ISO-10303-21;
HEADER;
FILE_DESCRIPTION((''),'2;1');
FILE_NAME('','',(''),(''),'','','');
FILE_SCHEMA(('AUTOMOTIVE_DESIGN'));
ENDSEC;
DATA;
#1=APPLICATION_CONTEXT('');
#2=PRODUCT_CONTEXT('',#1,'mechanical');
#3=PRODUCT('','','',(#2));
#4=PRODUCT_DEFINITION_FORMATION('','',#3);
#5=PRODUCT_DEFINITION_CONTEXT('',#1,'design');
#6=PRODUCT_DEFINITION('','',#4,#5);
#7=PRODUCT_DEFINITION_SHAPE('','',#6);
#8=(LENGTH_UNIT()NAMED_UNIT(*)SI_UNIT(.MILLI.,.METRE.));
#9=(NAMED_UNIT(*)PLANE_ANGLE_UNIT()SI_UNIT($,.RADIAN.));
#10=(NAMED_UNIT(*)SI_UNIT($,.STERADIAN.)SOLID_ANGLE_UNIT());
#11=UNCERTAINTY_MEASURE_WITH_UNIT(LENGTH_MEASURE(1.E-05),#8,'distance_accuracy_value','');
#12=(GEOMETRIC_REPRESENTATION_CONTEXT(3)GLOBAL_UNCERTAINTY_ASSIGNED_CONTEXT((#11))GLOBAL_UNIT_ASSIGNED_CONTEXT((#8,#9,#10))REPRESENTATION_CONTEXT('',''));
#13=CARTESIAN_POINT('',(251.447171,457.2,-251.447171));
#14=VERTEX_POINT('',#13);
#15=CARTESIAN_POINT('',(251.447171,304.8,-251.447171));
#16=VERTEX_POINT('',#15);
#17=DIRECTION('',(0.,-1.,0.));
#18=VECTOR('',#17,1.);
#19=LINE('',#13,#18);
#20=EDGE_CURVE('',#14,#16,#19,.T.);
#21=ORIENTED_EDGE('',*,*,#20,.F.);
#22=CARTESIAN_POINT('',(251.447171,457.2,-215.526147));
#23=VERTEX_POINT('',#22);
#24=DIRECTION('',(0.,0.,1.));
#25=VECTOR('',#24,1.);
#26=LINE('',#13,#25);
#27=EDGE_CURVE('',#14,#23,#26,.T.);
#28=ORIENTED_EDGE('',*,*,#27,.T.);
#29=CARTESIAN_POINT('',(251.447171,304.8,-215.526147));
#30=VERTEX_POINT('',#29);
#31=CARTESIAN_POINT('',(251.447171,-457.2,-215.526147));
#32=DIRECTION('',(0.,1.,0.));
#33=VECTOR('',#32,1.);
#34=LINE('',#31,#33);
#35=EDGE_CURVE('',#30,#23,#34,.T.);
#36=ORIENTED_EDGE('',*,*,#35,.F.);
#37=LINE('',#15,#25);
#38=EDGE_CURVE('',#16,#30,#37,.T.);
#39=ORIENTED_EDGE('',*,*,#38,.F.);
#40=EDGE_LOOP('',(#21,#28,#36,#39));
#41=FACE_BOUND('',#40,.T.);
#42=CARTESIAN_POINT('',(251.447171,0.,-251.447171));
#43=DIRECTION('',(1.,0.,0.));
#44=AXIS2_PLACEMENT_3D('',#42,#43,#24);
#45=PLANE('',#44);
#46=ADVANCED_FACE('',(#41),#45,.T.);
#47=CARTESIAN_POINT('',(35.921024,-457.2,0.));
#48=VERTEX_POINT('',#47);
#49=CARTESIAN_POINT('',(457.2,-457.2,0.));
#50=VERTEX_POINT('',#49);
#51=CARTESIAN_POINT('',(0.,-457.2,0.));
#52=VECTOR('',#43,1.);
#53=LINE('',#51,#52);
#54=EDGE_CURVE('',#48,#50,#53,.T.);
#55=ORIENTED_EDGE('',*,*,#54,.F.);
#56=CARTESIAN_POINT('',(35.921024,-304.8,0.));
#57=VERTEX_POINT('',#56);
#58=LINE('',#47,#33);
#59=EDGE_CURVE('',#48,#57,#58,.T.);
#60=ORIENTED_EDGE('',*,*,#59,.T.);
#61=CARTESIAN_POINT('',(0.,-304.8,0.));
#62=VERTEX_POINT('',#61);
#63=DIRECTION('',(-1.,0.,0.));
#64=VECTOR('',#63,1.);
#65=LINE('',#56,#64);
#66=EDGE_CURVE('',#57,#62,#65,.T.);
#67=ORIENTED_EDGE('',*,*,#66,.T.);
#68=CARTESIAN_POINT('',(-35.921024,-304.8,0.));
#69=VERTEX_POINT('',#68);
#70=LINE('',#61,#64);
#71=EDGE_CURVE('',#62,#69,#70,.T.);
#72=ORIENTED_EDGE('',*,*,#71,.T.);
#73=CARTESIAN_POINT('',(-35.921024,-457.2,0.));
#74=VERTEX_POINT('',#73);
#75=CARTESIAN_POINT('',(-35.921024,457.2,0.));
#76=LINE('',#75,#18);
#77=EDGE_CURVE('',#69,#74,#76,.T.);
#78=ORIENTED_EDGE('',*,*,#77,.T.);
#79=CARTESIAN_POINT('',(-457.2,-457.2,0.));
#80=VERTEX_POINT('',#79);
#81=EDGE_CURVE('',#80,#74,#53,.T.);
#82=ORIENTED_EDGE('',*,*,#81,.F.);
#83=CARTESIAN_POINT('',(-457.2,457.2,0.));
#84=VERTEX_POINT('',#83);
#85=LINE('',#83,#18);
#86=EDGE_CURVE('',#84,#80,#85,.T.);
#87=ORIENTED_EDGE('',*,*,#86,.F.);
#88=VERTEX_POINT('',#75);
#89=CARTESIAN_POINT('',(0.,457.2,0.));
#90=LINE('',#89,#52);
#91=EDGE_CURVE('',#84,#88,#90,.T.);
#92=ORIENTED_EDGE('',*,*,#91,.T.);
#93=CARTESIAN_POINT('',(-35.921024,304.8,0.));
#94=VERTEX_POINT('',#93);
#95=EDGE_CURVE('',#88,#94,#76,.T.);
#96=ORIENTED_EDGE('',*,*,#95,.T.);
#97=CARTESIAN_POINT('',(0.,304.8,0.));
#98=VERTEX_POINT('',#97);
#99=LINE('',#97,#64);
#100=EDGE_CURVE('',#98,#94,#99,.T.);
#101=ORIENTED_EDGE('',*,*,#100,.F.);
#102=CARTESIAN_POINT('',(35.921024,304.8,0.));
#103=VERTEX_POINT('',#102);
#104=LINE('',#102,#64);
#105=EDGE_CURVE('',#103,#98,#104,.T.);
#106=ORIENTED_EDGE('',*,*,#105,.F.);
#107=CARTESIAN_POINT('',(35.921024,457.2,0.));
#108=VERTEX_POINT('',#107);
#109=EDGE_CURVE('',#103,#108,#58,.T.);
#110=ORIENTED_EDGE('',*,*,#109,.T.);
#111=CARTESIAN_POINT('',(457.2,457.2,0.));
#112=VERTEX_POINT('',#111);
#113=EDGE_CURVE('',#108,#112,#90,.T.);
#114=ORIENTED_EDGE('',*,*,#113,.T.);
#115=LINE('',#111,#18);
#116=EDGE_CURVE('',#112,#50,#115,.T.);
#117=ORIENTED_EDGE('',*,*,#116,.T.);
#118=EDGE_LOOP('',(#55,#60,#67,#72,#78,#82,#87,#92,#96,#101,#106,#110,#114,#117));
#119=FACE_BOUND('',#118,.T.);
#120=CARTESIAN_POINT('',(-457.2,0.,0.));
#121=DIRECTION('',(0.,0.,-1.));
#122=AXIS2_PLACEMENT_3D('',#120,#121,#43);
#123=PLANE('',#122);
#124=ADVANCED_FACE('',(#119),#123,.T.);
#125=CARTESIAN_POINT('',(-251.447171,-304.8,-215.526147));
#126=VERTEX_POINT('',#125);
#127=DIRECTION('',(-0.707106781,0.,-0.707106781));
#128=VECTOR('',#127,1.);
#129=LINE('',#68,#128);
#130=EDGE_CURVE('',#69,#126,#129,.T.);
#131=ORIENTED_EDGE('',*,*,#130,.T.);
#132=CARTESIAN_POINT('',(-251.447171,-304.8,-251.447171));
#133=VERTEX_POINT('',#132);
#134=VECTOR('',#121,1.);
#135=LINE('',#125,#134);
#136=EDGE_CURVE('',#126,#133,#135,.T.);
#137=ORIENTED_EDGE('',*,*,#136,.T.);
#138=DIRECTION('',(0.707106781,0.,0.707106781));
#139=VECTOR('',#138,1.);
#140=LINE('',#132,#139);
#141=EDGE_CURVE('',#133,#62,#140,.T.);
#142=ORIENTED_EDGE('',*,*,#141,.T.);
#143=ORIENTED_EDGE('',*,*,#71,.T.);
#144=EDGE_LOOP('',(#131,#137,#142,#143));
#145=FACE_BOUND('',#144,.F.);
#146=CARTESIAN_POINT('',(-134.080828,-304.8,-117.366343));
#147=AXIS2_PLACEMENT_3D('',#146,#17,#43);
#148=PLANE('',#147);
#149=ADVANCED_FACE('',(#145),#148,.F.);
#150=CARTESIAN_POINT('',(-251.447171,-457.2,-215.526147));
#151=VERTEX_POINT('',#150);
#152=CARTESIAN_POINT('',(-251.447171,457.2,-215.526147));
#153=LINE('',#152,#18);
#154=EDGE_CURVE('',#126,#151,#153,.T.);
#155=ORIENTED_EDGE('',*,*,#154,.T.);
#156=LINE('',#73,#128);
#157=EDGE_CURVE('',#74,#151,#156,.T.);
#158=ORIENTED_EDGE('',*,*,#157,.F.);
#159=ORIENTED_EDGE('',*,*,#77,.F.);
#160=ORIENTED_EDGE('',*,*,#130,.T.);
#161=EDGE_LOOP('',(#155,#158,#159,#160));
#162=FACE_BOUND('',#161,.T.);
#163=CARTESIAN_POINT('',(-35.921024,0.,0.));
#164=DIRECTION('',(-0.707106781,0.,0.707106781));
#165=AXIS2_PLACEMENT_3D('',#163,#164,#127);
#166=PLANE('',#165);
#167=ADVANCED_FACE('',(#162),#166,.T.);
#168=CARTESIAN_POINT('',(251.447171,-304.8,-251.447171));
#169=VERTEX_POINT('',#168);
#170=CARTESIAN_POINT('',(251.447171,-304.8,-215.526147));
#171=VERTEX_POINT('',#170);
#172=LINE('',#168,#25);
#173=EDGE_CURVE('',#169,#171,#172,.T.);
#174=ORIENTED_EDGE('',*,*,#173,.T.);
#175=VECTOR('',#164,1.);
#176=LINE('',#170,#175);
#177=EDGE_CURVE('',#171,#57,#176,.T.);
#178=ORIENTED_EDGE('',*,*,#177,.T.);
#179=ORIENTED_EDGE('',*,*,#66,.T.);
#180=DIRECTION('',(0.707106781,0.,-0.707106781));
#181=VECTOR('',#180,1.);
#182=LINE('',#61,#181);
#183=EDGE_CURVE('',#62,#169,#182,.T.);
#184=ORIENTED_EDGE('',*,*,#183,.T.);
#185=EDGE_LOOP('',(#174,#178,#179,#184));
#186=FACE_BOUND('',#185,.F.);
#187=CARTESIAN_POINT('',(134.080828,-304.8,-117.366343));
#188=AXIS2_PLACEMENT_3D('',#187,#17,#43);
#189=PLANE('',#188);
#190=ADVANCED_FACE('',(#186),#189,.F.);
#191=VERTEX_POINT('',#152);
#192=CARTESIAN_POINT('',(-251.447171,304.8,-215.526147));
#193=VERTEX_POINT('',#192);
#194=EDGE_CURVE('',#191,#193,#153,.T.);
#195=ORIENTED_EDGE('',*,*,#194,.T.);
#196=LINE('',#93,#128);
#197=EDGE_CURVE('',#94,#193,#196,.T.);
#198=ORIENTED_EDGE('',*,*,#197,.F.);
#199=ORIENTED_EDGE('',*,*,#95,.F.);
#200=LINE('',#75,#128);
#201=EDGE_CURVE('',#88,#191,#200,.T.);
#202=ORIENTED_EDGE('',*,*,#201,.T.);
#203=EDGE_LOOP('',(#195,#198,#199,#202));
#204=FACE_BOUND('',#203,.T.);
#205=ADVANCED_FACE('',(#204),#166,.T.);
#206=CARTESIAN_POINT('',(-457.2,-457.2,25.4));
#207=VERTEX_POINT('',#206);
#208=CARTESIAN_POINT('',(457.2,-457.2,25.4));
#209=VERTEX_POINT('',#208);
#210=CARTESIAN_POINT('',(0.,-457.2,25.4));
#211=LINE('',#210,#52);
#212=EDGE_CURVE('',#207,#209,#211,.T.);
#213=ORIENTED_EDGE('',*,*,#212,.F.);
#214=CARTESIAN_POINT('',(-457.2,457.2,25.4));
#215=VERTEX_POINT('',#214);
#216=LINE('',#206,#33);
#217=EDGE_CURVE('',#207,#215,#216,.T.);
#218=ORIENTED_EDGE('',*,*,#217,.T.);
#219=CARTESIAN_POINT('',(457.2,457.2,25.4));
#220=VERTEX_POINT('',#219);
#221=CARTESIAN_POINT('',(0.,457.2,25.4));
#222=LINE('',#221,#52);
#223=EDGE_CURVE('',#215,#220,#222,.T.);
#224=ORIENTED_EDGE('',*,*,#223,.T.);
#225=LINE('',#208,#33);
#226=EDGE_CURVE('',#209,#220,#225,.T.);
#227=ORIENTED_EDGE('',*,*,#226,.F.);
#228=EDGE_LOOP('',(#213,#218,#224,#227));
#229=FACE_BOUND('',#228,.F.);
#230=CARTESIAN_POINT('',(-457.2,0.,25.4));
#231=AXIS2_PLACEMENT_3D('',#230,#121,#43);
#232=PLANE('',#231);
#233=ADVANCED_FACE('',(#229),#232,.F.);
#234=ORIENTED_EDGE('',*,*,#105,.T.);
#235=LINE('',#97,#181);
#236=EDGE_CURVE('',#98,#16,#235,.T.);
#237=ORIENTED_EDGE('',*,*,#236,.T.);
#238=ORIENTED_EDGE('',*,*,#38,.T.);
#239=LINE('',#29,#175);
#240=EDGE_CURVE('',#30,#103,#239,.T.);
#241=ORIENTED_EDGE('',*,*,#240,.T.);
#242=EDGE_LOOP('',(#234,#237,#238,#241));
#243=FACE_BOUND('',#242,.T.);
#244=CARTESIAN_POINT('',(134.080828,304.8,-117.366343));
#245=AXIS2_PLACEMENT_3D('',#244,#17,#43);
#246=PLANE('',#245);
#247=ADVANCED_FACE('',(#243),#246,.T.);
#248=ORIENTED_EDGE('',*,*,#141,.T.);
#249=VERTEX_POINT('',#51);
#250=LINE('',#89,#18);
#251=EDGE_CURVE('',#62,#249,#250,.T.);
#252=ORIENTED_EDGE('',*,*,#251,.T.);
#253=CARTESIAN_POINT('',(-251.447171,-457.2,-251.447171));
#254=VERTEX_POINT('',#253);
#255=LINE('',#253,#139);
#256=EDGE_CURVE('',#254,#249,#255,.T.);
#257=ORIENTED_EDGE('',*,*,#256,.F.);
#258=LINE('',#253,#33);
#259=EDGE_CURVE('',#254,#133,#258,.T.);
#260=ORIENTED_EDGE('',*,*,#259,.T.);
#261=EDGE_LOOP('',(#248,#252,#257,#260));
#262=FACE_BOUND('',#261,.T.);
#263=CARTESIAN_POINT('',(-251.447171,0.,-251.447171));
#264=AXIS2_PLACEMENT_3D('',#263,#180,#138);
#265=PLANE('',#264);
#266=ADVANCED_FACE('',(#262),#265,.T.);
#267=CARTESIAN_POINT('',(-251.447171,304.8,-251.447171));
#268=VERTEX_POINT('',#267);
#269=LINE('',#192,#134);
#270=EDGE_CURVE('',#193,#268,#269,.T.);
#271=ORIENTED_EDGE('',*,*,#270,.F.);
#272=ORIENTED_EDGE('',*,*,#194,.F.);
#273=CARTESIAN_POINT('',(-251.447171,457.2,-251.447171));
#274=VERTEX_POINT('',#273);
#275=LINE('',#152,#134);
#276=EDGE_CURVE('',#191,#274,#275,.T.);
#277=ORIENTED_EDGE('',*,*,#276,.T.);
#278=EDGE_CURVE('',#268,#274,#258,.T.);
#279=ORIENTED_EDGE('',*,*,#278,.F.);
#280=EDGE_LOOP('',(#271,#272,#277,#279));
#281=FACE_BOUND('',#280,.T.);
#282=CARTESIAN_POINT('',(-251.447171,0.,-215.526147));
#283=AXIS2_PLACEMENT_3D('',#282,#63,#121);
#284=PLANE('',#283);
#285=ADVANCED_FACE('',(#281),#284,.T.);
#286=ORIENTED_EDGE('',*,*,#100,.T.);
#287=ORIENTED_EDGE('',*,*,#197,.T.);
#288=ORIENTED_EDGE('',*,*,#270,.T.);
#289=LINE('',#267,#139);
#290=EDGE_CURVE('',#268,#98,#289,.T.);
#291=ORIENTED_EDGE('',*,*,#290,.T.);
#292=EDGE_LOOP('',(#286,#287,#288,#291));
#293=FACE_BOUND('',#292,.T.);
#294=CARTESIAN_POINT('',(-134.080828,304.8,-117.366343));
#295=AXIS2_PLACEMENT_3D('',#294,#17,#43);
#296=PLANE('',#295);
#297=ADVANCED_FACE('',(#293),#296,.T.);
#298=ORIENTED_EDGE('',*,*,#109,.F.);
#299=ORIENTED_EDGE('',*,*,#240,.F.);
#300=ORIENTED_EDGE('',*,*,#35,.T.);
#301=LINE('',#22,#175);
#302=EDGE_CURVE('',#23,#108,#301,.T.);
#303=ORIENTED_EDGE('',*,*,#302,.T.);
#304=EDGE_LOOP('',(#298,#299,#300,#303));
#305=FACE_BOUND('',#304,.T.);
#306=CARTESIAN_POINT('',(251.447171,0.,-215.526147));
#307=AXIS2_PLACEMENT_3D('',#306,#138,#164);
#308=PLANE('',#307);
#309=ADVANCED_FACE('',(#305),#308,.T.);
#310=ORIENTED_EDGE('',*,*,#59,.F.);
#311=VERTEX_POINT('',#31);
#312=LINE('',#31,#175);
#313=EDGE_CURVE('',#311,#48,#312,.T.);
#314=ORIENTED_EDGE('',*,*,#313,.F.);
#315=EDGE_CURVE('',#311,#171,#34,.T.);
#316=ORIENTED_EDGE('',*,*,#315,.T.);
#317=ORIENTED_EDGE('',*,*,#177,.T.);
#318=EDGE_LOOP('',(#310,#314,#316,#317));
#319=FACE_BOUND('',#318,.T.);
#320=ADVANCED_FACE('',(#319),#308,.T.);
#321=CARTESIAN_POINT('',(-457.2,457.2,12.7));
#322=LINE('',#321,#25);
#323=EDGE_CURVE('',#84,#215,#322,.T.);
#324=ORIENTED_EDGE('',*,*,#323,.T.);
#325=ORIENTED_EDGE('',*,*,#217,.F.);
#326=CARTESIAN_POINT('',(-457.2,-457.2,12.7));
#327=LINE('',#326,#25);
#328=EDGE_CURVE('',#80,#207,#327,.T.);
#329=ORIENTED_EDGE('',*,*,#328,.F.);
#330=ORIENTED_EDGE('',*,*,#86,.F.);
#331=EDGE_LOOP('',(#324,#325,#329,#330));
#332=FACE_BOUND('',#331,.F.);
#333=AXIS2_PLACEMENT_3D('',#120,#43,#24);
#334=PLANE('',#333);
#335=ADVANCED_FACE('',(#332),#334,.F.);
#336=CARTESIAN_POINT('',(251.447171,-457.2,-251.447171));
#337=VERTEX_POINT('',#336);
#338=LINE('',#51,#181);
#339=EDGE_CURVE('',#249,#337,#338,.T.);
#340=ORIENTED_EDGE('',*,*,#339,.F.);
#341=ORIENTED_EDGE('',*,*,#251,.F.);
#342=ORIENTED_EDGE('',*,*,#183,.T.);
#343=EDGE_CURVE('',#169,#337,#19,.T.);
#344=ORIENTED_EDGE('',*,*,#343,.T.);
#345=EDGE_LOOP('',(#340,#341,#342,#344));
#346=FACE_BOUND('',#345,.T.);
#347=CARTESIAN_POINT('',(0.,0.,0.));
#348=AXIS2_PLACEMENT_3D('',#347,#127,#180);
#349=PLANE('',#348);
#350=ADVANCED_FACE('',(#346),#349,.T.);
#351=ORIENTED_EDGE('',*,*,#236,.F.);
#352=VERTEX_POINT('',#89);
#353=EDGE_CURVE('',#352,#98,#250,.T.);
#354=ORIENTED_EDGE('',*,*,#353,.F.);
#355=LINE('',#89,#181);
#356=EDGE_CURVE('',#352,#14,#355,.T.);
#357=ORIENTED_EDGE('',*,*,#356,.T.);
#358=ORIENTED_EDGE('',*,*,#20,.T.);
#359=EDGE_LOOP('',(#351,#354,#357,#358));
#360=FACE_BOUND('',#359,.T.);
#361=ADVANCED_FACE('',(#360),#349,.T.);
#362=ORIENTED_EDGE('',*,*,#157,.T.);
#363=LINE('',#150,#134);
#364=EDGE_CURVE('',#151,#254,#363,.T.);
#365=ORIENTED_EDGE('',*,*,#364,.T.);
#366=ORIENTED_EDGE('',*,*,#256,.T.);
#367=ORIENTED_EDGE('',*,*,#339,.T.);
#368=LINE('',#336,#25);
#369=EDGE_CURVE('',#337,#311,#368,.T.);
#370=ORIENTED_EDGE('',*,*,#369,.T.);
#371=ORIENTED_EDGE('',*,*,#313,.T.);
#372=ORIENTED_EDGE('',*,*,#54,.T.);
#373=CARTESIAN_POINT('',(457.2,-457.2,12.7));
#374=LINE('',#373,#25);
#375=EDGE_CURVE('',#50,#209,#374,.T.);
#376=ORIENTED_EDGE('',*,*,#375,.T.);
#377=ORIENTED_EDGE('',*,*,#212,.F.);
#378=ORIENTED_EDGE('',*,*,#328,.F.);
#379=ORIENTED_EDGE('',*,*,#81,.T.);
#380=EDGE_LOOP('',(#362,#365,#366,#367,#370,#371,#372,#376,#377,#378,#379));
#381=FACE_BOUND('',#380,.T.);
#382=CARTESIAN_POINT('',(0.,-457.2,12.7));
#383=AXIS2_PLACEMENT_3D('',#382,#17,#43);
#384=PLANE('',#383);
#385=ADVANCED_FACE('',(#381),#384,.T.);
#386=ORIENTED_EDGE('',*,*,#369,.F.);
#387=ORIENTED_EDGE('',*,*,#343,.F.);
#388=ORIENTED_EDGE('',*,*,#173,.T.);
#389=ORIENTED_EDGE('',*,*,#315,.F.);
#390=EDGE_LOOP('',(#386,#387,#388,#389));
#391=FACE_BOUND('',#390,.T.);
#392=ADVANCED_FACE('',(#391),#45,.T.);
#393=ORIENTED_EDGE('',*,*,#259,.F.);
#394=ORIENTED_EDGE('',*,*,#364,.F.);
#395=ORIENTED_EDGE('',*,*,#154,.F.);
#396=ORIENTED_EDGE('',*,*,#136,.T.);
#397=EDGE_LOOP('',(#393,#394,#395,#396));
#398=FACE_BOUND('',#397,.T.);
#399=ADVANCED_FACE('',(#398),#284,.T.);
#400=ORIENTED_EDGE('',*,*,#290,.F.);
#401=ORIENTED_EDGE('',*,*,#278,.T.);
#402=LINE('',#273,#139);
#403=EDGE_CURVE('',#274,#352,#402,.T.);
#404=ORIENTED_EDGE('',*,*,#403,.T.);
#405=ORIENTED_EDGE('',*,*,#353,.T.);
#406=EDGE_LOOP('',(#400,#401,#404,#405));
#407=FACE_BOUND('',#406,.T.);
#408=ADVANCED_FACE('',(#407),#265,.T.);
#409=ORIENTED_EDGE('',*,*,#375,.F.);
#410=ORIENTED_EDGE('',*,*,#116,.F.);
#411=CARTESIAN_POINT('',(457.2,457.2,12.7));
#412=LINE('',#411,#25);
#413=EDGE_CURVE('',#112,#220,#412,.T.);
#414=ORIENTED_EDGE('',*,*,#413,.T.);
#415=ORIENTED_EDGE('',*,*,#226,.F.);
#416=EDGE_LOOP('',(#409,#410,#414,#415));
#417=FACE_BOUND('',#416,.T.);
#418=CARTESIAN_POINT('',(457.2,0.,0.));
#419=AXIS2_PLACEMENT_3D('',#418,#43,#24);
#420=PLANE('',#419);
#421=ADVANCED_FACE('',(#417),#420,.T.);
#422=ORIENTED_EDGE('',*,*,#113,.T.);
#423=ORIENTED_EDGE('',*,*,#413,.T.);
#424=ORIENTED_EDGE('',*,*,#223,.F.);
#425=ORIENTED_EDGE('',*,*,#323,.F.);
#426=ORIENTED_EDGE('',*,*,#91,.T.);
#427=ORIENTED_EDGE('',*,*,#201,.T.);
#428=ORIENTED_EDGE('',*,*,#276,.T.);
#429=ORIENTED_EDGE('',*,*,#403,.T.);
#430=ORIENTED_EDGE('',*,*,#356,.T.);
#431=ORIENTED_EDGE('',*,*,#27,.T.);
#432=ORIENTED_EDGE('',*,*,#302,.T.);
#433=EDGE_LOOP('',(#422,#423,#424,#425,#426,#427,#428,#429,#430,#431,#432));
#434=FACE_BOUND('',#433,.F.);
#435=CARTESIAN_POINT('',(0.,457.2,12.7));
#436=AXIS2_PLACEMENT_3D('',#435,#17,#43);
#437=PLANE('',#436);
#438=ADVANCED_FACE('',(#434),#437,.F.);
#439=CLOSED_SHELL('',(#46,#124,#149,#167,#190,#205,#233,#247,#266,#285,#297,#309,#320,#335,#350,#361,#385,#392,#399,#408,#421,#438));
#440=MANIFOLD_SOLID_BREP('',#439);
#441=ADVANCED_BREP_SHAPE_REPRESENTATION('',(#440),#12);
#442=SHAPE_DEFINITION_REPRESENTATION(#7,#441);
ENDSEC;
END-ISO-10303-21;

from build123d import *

# Parameters (mm, degrees)
F0_W     = 914.4
F0_H     = 25.4
F2_DEPTH = 457.2
F3_DEPTH = 457.2
F5_DEPTH = 304.8


with BuildPart() as f2:
    # F0 (on Front) → F2 (new body, symmetric)
    with BuildSketch(Plane.XZ):
        with Locations((0, 12.7)):
            Rectangle(F0_W, F0_H)
    extrude(amount=F2_DEPTH, both=True)

    # F1 (on Front) → F3 (join, symmetric)
    with BuildSketch(Plane.XZ):
        Polygon((0, 0), (-35.921024, 0), (-251.447171, -215.526147), (-251.447171, -251.447171), align=None)
        Polygon((35.921024, 0), (0, 0), (251.447171, -251.447171), (251.447171, -215.526147), align=None)
    extrude(amount=F3_DEPTH, both=True)

    # F4 (on Front) → F5 (cut, symmetric)
    with BuildSketch(Plane.XZ):
        Polygon((0, 0), (-35.921024, 0), (-251.447171, -215.526147), (-251.447171, -251.447171), align=None)
        Polygon((35.921024, 0), (0, 0), (251.447171, -251.447171), (251.447171, -215.526147), align=None)
    extrude(amount=F5_DEPTH, both=True, mode=Mode.SUBTRACT)


solid = f2.part
